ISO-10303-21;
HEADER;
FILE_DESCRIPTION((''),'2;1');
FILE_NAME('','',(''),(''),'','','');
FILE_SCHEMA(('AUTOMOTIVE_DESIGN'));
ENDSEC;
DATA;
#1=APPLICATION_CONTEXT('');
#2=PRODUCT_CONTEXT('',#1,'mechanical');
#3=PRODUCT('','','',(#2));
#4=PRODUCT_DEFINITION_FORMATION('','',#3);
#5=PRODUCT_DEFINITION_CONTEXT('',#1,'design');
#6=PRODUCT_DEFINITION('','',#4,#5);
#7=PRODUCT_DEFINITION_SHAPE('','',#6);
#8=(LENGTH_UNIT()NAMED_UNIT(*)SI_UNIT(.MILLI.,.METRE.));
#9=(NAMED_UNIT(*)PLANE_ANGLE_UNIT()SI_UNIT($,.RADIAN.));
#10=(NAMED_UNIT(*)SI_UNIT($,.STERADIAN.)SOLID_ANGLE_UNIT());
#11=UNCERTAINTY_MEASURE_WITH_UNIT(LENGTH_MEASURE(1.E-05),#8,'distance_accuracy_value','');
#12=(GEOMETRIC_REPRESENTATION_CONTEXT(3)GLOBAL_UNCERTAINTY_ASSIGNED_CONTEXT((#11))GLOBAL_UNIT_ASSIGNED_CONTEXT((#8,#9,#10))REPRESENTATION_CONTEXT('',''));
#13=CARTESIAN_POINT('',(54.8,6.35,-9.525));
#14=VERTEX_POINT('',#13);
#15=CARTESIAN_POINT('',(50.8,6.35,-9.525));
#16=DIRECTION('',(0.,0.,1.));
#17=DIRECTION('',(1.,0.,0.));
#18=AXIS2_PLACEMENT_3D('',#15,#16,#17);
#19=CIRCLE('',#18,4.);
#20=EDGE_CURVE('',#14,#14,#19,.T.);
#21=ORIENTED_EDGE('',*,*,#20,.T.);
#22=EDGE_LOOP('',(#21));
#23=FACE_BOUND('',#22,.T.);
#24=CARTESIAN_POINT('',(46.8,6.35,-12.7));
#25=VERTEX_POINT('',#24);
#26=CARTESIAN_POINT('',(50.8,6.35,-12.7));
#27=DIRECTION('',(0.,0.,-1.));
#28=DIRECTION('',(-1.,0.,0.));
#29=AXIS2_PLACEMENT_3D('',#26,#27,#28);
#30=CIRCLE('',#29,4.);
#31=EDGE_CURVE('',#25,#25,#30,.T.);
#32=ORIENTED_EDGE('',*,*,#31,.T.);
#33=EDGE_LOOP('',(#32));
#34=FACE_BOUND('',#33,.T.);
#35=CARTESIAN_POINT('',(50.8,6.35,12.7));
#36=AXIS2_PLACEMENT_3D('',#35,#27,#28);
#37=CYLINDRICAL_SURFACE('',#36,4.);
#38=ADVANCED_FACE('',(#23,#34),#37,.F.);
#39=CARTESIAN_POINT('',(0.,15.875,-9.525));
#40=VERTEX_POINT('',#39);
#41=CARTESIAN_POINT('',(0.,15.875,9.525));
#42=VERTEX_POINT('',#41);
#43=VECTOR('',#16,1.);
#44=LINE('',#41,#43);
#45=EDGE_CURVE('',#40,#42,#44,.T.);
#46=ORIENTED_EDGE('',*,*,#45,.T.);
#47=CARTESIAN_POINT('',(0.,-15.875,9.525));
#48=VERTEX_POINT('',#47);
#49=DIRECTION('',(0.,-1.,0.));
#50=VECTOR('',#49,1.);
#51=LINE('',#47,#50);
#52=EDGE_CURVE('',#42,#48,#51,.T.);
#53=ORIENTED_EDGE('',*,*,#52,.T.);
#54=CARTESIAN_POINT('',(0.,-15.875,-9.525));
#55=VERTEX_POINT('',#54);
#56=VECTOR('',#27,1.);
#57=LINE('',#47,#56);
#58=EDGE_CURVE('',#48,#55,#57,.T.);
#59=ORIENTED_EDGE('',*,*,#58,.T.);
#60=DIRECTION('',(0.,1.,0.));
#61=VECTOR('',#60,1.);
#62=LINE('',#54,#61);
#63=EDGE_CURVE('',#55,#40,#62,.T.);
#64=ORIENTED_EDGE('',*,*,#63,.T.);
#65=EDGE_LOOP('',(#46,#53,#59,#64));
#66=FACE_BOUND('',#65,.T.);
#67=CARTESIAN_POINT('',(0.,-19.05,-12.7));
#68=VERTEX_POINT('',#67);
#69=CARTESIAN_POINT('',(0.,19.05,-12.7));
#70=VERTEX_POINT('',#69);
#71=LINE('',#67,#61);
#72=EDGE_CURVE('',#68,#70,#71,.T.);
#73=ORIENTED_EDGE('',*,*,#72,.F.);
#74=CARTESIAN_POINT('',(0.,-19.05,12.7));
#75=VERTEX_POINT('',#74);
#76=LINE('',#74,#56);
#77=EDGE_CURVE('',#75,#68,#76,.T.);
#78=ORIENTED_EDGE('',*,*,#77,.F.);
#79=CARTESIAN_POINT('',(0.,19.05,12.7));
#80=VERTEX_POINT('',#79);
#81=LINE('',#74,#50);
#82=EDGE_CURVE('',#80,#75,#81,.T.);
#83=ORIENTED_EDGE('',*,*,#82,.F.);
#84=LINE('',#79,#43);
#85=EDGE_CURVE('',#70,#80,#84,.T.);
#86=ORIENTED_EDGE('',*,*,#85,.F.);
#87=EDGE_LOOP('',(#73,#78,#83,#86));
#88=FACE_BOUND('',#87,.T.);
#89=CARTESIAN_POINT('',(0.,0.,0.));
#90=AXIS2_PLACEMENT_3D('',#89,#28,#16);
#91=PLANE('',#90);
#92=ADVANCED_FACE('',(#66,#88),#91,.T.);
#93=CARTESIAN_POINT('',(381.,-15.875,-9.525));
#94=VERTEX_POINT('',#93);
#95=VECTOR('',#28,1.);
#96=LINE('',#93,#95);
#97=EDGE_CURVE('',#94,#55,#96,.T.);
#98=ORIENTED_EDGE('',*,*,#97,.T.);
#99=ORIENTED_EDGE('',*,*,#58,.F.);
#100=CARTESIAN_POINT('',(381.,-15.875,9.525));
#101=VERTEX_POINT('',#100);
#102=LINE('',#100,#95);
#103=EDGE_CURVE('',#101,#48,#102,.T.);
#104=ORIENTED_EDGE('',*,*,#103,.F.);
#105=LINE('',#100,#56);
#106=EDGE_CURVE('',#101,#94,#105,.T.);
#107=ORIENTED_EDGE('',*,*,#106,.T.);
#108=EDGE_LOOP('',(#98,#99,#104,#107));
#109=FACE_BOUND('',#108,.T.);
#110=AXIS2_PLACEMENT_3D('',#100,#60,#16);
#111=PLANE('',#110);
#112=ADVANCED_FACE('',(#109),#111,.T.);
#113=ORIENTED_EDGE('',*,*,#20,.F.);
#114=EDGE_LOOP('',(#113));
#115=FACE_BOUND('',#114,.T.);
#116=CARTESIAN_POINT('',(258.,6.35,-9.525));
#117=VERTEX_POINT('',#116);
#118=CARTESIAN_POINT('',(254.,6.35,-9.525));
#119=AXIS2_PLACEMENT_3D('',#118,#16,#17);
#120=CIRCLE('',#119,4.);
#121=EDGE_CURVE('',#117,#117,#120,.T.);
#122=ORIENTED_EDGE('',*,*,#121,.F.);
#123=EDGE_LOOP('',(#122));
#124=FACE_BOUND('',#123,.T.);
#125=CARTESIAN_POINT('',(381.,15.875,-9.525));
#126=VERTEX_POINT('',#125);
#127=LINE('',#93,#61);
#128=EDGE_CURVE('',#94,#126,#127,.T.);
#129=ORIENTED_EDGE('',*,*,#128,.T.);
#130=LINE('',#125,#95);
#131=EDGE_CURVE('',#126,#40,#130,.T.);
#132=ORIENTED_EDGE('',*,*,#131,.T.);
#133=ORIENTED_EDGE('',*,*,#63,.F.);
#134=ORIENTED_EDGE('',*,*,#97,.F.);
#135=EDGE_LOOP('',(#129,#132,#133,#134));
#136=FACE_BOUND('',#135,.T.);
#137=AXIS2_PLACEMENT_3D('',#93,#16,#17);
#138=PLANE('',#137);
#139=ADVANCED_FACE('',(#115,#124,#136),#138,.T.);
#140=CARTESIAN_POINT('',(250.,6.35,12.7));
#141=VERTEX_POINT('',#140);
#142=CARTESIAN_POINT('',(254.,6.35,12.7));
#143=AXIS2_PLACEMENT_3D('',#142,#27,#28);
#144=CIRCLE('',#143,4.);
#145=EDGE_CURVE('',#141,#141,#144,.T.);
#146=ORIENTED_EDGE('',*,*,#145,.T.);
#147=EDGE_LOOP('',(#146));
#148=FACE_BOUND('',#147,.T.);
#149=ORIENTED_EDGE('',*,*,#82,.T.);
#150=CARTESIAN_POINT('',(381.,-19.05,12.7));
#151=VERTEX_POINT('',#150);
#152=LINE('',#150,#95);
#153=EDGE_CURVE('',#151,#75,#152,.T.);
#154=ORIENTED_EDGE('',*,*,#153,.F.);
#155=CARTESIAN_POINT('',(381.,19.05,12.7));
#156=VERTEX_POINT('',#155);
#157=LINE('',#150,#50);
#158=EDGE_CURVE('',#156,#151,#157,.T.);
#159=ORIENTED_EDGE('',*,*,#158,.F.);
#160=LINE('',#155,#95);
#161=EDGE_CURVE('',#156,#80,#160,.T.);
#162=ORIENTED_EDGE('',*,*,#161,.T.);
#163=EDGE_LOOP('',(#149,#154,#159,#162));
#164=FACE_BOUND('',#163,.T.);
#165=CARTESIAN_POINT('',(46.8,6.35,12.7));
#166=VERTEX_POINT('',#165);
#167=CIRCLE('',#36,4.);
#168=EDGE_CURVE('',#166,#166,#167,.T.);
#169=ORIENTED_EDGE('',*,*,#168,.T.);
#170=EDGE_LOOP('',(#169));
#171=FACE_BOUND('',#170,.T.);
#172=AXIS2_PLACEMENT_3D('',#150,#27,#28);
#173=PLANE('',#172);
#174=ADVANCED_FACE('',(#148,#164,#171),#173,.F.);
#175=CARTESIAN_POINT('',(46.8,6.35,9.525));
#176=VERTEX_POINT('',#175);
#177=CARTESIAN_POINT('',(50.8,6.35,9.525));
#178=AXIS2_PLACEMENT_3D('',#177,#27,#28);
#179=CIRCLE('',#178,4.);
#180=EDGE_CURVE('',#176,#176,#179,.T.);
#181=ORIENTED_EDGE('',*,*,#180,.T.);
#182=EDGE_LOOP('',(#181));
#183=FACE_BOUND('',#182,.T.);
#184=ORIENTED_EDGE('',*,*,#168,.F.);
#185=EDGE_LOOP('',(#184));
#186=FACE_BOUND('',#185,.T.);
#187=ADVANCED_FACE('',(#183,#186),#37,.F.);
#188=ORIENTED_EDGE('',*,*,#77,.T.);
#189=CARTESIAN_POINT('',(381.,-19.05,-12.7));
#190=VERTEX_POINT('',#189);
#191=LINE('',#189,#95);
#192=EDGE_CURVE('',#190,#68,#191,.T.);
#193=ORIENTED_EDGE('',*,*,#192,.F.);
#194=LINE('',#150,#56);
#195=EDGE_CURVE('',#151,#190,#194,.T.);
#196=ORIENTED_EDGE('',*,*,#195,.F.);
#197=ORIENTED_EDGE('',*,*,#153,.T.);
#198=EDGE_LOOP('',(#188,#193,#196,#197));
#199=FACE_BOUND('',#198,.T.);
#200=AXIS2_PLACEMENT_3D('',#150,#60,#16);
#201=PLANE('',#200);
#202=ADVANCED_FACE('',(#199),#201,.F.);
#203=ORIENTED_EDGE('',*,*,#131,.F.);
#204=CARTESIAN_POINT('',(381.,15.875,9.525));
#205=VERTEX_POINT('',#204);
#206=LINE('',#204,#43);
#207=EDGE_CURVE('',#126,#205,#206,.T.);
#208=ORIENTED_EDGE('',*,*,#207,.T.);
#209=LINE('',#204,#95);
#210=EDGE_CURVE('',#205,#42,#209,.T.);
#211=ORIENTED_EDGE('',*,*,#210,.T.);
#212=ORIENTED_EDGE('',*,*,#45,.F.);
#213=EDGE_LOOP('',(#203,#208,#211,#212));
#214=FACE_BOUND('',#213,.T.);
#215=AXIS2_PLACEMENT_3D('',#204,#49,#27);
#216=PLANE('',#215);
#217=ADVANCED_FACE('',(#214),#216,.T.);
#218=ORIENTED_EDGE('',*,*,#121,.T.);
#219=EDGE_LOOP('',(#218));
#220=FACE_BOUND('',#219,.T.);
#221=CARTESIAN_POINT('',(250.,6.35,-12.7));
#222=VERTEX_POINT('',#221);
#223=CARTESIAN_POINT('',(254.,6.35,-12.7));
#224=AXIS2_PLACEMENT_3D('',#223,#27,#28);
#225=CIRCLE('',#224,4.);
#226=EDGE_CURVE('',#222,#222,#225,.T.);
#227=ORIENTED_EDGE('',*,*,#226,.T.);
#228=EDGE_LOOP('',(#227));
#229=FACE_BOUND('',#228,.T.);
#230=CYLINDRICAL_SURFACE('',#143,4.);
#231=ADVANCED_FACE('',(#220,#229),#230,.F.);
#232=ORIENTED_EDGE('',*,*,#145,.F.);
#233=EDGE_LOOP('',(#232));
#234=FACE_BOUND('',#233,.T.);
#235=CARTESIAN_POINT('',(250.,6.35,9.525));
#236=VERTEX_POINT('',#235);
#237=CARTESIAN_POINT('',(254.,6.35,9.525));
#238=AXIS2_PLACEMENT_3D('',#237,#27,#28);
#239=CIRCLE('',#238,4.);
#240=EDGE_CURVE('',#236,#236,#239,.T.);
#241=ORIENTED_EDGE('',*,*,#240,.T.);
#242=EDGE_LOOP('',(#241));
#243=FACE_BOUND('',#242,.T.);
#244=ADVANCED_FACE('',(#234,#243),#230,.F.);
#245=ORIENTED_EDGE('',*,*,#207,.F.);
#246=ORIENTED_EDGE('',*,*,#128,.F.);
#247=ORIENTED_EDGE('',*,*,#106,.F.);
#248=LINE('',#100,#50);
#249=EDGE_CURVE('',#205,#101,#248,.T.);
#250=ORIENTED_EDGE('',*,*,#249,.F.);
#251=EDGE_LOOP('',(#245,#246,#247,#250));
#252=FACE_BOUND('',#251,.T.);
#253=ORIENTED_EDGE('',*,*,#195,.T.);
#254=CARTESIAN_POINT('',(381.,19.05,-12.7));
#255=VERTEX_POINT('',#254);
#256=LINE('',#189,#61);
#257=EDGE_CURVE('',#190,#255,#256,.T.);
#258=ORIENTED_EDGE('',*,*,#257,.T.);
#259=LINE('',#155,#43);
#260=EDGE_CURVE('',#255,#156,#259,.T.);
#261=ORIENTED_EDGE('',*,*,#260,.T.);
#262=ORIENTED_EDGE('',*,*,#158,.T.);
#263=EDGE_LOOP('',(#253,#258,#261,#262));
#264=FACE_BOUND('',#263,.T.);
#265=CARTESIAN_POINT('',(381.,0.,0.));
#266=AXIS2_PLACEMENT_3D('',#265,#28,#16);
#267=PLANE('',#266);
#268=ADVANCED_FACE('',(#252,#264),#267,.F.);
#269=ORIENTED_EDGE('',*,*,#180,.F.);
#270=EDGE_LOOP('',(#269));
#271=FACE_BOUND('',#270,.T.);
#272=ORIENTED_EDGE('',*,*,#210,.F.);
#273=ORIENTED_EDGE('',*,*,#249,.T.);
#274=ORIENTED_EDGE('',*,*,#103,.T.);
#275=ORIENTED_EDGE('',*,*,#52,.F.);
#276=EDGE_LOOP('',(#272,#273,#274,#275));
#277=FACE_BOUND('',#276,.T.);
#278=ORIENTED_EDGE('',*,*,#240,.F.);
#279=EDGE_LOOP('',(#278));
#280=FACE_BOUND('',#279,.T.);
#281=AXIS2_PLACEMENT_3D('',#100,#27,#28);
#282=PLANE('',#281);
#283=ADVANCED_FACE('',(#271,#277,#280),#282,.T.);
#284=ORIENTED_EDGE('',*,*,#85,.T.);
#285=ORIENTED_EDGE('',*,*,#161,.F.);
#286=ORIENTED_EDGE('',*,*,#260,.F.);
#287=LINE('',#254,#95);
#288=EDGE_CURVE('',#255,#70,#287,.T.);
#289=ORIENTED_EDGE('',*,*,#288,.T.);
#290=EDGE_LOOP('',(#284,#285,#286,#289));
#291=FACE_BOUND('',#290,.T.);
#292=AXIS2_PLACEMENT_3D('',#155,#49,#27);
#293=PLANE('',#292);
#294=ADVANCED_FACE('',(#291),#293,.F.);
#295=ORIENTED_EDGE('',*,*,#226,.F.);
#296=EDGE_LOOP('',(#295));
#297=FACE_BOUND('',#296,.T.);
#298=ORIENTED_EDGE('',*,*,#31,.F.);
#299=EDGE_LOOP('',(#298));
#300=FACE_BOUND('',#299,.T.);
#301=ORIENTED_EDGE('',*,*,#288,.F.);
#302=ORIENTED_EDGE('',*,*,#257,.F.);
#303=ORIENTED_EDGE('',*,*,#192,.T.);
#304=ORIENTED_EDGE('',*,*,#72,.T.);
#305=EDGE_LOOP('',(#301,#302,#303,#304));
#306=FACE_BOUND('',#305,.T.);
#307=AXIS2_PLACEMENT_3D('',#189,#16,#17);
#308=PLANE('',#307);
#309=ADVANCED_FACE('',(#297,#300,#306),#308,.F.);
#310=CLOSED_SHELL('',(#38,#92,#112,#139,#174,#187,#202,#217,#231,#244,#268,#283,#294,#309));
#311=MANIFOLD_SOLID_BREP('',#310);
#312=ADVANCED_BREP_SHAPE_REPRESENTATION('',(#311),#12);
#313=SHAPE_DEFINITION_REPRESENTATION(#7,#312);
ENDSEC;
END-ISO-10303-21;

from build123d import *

# Parameters (mm, degrees)
SKETCH1_W           = 25.4
SKETCH1_H           = 38.1
SKETCH1_W_2         = 19.05
SKETCH1_H_2         = 31.75
BOSS_EXTRUDE1_DEPTH = 381
SKETCH2_R           = 4
CUT_EXTRUDE1_DEPTH  = 26.4


with BuildPart() as part:
    # Sketch1 → Boss-Extrude1 (new body)
    with BuildSketch(Plane(origin=(0, 0, 0), x_dir=(0, 0, -1), z_dir=(1, 0, 0))):
        Rectangle(SKETCH1_W, SKETCH1_H)
        Rectangle(SKETCH1_W_2, SKETCH1_H_2, mode=Mode.SUBTRACT)
    extrude(amount=BOSS_EXTRUDE1_DEPTH)

    # Sketch2 → Cut-Extrude1 (cut, through all)
    with BuildSketch(Plane(origin=(0, 0, -12.7), x_dir=(-1, 0, 0), z_dir=(0, 0, -1))):
        with Locations((-50.8, 6.35)):
            Circle(SKETCH2_R)
        with Locations((-254, 6.35)):
            Circle(SKETCH2_R)
    extrude(amount=-CUT_EXTRUDE1_DEPTH, mode=Mode.SUBTRACT)


solid = part.part
